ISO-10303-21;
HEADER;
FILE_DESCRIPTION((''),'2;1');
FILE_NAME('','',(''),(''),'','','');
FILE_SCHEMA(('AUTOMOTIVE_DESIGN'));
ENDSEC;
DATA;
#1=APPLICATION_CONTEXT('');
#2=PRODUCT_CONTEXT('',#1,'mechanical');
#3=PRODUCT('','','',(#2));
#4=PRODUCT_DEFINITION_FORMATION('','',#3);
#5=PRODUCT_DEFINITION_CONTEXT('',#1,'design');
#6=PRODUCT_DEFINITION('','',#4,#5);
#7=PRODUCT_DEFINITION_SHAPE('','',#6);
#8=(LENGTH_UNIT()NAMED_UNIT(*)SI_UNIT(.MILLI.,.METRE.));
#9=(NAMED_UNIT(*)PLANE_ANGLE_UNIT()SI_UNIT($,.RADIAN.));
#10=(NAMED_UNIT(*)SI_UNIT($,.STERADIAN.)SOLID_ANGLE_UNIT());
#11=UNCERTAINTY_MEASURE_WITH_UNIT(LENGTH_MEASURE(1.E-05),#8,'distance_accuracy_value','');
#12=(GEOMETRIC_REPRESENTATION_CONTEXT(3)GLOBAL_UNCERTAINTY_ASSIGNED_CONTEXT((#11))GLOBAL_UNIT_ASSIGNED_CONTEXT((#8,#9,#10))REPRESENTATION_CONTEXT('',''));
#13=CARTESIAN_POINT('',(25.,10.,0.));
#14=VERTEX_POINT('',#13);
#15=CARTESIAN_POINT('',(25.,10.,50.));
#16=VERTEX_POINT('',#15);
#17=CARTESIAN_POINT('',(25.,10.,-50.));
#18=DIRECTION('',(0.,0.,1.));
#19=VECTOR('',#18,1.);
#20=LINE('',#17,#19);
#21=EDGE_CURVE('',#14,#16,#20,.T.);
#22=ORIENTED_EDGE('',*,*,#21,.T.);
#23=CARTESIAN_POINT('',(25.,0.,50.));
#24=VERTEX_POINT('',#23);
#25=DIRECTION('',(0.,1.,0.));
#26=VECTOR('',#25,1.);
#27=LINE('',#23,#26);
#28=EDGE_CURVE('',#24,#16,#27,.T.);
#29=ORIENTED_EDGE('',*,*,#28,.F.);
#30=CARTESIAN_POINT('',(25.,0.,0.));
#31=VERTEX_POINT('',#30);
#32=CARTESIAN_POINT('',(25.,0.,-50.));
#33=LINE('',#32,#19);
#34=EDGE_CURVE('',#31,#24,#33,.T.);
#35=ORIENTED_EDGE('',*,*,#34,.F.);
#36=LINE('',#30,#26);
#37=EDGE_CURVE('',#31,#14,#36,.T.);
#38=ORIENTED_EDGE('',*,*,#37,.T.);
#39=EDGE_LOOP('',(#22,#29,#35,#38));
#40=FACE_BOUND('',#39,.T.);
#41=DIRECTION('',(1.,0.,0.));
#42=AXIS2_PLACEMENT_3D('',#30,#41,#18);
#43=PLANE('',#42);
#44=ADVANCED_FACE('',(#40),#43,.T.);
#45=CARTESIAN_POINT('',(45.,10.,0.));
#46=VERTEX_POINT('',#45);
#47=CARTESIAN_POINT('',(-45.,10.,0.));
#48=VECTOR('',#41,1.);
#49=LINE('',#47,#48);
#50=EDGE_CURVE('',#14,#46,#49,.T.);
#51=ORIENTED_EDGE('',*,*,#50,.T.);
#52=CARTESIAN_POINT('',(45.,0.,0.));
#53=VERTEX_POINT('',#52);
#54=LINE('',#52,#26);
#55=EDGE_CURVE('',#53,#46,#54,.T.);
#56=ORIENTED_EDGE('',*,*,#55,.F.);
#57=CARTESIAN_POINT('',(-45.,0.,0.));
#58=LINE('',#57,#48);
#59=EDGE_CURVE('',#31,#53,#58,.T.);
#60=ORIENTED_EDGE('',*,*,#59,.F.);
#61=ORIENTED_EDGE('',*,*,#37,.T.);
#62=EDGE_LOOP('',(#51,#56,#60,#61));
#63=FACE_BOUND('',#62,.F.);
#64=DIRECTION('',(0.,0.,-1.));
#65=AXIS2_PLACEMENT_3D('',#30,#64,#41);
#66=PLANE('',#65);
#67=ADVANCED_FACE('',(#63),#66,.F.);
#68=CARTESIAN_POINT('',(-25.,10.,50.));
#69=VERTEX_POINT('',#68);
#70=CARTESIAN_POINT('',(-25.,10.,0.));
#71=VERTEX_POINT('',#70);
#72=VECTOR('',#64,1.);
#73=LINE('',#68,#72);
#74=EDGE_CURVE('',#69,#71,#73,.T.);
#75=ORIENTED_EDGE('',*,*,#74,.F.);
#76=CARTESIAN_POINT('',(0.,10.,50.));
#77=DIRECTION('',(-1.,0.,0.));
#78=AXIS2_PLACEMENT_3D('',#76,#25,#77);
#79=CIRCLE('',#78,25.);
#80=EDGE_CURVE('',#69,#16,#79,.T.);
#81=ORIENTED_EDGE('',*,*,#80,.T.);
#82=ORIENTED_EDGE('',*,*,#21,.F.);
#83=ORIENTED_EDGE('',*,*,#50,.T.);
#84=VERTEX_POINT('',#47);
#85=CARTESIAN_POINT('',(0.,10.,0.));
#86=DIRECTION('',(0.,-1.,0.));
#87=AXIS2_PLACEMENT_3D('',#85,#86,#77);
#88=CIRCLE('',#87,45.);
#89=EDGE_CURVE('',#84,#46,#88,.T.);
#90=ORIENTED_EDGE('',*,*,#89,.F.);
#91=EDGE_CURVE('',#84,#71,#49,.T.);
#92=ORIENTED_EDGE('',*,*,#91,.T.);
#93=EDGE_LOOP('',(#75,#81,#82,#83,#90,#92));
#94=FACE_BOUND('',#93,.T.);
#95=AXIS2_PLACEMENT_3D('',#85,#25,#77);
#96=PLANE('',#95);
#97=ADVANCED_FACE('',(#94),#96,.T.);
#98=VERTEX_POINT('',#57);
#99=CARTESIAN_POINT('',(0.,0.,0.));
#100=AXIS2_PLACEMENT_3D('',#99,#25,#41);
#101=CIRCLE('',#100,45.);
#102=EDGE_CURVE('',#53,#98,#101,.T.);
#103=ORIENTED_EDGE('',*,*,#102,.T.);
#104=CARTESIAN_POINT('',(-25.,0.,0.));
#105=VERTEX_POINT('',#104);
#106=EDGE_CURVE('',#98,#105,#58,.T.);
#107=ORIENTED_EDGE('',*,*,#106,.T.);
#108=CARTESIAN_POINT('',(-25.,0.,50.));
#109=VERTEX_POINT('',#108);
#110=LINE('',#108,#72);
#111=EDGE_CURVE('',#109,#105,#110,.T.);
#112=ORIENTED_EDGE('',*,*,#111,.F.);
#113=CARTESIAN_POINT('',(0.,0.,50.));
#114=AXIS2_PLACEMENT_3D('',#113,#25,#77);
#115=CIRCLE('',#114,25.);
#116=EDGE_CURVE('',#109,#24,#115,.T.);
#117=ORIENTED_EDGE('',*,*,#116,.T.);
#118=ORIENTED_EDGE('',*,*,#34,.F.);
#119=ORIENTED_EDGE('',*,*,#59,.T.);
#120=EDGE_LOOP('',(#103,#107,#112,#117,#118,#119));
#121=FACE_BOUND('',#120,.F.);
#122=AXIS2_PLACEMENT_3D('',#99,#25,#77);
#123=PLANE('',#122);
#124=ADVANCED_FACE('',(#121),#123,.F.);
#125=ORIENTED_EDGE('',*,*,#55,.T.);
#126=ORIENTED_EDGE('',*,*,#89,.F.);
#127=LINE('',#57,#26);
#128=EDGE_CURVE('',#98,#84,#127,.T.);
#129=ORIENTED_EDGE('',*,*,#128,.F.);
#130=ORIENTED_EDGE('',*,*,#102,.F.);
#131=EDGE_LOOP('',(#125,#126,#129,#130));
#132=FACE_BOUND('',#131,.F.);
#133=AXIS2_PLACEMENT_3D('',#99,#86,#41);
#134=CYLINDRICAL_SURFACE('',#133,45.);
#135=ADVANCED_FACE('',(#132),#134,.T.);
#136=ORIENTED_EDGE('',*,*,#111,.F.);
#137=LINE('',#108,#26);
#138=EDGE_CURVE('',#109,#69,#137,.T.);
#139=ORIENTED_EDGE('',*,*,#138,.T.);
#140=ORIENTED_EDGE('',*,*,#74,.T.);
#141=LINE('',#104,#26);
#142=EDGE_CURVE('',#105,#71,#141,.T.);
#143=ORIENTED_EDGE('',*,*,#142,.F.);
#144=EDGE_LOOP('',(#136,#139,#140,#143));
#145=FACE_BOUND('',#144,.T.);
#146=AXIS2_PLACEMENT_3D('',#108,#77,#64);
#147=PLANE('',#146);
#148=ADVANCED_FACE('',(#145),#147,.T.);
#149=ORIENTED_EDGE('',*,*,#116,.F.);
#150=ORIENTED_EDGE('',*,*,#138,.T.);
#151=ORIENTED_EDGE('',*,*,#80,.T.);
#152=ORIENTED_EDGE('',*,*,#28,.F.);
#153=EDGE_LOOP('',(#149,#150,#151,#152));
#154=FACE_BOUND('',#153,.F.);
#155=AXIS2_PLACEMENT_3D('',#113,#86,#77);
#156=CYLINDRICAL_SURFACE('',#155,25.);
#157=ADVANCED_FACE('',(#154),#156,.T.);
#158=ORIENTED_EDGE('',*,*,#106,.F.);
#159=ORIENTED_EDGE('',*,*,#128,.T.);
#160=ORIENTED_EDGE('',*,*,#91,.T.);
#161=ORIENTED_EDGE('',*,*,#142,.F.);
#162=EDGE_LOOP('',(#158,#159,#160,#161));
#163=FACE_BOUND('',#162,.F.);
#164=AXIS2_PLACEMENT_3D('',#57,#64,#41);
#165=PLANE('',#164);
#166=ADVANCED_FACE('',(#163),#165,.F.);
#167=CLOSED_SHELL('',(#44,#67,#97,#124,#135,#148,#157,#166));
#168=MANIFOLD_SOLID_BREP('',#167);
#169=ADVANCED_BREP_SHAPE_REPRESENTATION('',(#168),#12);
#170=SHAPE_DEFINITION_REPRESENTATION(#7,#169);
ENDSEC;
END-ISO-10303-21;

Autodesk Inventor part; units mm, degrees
ref_plane "YZ Plane" through (0, 0, 0) normal (1, 0, 0) x (0, 1, 0)
ref_plane "XZ Plane" through (0, 0, 0) normal (0, 1, 0) x (-1, 0, 0)
ref_plane "XY Plane" through (0, 0, 0) normal (0, 0, 1) x (1, 0, 0)
sketch "Boceto1" plane through (0, 0, 0) normal (0, 1, 0) x (-1, 0, 0)
  arc A0 (-45, 0) -> (45, 0) centre (0, 0) ccw
  line L0 (45, 0) -> (-45, 0)
  line L1 (25, -50) -> (-25, -50)
  line L2 (-25, -50) -> (-25, 50)
  line L3 (-25, 50) -> (25, 50)
  line L4 (25, 50) -> (25, -50)
  line L5 (25, -50) -> (-25, 50) construction
  line L6 (-25, -50) -> (25, 50) construction
  circle A1 centre (0, 50) radius 25
  point P0 (25, 0)
  point P1 (25, 50)
  point P2 (-25, 0)
  dimension "d0" = 90
  dimension "d1" = 50
  dimension "d2" = 100
extrude "Extrusión1" add sketch "Boceto1" along normal blind 10 contours L0 L2 A0 | L2 L0 L4 A0 | L2 A1 L4 L0 | L4 L0 A0 | A1 L3 | L3 A1
equation "\"d0\" = diametro_c"
equation "\"d1\" = ancho_p"
equation "\"d2\" = largo_p"
equation "\"d3\" = grueso"
equation "\"diametro_c\" = 90"
equation "\"grueso\" = 10"
equation "\"ancho_p\" = 50"
equation "\"largo_p\" = 100"
properties part number "Parte D" material "Madera (abedul)"
